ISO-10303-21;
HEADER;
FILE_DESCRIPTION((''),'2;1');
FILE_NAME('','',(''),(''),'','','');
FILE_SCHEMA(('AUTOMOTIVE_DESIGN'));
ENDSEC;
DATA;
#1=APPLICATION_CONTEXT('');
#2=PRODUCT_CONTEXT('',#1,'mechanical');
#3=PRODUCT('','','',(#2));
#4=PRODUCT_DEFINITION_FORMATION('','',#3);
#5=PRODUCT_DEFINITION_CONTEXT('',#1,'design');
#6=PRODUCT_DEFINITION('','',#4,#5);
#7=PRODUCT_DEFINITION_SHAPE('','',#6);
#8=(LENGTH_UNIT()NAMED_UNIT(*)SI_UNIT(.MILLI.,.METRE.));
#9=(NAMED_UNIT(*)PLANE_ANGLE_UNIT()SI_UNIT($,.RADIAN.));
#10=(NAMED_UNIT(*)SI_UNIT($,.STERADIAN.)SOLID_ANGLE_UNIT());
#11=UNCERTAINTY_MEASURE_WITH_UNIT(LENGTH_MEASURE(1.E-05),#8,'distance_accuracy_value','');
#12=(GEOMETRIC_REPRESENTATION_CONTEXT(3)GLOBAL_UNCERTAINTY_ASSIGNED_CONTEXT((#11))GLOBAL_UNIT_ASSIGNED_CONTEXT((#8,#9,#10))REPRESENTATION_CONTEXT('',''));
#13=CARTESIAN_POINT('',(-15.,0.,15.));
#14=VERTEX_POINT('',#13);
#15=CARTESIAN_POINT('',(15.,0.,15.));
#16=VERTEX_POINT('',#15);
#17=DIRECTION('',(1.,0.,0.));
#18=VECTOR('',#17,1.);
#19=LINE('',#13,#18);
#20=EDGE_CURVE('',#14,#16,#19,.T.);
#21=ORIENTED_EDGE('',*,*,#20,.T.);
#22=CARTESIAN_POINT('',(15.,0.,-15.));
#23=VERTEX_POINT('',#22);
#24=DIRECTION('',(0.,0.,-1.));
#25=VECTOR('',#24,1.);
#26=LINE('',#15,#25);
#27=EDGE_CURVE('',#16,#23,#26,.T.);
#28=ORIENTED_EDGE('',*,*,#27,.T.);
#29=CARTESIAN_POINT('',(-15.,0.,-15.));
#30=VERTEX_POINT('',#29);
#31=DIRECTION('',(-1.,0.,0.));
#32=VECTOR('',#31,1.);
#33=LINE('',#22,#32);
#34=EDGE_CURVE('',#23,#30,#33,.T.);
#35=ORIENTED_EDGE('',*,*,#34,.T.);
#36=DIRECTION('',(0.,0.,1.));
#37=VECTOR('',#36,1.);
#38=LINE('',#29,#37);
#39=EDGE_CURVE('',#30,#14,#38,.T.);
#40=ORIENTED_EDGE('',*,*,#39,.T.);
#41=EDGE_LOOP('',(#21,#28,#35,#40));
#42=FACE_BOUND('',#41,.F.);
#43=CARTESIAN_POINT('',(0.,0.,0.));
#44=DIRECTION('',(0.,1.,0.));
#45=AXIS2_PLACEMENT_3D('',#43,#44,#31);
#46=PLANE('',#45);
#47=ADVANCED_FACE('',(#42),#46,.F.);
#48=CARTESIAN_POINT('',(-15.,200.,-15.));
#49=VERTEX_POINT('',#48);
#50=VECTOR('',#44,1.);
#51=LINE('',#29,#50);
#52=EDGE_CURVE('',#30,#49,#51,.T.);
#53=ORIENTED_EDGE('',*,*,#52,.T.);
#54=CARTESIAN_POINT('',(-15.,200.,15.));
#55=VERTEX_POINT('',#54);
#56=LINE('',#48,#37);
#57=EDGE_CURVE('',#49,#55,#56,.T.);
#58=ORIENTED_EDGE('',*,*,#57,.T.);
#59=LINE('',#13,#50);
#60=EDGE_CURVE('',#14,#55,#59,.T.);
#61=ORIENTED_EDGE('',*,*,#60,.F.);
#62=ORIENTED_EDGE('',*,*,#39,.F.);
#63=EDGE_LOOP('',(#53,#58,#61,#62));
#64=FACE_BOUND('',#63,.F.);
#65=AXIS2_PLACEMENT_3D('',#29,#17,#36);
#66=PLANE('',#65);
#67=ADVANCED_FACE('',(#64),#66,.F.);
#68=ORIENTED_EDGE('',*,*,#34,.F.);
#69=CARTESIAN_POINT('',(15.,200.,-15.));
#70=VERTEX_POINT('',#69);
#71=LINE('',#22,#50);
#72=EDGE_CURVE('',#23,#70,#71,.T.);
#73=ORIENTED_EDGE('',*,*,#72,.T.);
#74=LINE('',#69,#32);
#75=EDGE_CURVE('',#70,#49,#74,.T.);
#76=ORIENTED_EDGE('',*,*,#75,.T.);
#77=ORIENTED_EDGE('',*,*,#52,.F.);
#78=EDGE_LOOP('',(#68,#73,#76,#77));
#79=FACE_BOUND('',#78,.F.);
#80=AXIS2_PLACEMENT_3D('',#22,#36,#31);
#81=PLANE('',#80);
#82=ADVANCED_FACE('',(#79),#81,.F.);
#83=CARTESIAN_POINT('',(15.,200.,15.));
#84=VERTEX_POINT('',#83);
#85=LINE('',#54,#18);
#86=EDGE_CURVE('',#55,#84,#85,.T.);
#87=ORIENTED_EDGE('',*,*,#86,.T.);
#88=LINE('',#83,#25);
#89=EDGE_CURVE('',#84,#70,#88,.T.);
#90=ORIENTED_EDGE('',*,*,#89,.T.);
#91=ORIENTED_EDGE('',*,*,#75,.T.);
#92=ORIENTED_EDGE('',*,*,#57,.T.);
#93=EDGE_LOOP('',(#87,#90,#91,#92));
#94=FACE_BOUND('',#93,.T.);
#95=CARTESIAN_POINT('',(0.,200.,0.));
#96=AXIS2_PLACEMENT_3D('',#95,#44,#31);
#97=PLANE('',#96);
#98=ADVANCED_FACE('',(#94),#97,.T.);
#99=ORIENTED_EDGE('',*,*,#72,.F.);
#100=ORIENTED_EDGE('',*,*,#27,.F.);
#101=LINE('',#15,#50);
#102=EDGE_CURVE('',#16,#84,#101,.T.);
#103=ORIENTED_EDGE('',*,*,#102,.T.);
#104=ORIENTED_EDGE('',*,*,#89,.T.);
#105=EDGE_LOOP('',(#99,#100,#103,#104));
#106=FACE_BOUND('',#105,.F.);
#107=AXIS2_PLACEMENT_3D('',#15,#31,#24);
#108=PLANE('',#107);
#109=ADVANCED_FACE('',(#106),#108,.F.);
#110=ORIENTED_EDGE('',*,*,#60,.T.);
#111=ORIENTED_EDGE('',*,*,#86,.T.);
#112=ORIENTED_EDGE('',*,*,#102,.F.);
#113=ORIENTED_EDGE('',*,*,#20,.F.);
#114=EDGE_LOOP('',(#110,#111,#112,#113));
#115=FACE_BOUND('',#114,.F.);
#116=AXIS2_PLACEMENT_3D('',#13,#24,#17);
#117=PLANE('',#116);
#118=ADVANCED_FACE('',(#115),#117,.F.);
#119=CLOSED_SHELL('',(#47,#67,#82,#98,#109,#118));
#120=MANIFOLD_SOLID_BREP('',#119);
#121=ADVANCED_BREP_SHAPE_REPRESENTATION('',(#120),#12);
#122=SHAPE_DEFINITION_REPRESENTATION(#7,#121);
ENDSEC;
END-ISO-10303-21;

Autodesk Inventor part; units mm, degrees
ref_plane "YZ Plane" through (0, 0, 0) normal (1, 0, 0) x (0, 1, 0)
ref_plane "XZ Plane" through (0, 0, 0) normal (0, 1, 0) x (-1, 0, 0)
ref_plane "XY Plane" through (0, 0, 0) normal (0, 0, 1) x (1, 0, 0)
sketch "Esquisse1" plane through (0, 0, 0) normal (0, 1, 0) x (-1, 0, 0)
  line L0 (15, 15) -> (-15, 15)
  line L1 (-15, 15) -> (-15, -15)
  line L2 (-15, -15) -> (15, -15)
  line L3 (15, -15) -> (15, 15)
  point P0 (0, 0)
  dimension "d0" = 30
  dimension "d1" = 30
  dimension "d2" = 15
  dimension "d3" = 15
extrude "Extrusion1" add sketch "Esquisse1" along normal blind 200
equation "\"d1\" = d0"
equation "\"d2\" = 0.5 * d0"
equation "\"d3\" = d2"
properties part number "Tasseau-1"
